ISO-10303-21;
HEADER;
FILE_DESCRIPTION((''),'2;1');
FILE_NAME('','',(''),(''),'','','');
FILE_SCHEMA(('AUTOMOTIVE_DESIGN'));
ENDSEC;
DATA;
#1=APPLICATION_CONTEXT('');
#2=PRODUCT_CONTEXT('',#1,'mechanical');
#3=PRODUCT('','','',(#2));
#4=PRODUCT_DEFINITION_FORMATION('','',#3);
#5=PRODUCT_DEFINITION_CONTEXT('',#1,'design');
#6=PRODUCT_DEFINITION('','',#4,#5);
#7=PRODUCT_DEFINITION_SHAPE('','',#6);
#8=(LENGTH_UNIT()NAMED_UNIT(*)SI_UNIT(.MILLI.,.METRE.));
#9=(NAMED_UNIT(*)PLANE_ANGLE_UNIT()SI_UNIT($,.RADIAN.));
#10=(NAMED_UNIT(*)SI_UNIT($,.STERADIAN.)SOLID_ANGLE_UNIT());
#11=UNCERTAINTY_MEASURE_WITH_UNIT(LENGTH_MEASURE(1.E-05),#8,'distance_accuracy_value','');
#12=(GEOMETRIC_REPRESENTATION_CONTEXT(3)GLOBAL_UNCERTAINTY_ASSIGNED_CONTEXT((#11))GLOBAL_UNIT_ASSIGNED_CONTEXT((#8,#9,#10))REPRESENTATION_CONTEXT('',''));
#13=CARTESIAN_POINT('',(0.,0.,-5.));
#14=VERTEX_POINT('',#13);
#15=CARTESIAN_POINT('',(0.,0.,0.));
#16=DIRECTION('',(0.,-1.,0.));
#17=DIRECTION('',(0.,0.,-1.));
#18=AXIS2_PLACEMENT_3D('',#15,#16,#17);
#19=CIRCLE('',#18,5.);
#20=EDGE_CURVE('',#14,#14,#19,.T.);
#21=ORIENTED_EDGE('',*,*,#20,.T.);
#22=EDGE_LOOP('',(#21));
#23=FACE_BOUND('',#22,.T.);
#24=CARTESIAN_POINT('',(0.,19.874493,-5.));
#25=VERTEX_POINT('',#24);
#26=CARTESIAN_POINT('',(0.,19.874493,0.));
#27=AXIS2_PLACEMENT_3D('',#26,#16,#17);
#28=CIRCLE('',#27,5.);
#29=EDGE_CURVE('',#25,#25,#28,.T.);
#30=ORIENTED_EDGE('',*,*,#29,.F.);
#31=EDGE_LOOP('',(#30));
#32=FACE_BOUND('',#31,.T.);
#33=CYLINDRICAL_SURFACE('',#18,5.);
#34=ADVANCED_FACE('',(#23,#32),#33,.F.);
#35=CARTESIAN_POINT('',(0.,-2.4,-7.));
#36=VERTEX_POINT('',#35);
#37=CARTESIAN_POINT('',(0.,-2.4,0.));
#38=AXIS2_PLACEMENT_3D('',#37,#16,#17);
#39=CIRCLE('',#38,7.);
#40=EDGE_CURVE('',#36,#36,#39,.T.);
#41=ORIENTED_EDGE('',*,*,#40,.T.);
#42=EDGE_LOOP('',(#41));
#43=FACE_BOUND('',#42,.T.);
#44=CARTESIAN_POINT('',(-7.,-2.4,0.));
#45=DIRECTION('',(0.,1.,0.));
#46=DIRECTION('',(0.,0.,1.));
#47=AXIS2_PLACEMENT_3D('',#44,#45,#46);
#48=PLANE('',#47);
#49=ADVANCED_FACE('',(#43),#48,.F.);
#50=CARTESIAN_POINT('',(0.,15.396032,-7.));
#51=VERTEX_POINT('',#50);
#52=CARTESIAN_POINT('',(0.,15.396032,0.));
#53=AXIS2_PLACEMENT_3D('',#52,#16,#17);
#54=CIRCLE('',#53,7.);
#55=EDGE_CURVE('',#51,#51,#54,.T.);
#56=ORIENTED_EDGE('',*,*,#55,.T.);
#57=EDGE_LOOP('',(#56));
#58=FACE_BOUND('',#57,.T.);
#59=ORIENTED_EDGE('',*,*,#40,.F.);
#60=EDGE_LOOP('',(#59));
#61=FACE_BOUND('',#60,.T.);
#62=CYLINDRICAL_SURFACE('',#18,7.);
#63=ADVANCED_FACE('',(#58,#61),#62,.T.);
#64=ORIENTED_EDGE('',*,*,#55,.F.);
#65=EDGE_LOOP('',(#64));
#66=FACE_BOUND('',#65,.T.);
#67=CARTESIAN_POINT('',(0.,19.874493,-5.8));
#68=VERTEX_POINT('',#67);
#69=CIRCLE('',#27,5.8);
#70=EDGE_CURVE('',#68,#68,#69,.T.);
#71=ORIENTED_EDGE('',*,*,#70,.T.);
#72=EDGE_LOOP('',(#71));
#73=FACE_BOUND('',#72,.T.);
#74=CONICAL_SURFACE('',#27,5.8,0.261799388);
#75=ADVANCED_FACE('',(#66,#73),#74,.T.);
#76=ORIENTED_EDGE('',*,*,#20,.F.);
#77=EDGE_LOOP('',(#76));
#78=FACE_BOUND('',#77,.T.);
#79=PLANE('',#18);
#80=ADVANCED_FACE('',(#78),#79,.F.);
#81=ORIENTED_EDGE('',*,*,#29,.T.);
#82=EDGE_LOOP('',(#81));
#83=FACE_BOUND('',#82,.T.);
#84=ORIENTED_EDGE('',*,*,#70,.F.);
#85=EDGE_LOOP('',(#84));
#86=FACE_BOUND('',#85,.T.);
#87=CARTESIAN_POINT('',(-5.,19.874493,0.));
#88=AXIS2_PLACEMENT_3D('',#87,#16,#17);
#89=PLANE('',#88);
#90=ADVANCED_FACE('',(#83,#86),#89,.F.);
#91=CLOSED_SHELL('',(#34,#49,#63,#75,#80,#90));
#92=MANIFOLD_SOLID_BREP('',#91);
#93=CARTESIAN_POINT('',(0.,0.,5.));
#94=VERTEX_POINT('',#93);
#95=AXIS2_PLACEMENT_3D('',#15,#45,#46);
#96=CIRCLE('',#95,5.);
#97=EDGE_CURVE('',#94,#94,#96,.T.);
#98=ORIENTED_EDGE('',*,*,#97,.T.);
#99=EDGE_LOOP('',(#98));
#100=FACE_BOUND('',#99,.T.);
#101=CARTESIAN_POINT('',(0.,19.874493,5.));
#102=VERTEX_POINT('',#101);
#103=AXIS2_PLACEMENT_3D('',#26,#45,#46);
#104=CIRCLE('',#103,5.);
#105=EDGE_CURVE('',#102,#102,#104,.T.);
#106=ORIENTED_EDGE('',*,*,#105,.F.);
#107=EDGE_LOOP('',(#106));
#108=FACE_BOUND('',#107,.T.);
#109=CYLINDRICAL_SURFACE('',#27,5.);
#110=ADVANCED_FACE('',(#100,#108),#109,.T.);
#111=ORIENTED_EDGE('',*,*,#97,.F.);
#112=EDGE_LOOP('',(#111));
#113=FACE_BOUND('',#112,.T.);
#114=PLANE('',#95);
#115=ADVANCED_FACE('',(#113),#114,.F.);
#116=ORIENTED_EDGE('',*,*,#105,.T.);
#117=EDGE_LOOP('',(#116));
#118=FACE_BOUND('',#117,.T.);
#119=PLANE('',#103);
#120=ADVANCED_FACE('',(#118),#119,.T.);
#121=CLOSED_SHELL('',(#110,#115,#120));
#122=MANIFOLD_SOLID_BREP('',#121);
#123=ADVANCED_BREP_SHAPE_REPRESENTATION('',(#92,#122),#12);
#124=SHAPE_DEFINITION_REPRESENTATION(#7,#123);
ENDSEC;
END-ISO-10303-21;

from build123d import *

# Parameters (mm, degrees)
SKETCH1_R           = 5
BOSS_EXTRUDE1_DEPTH = 19.874493393


with BuildPart() as part:
    # Sketch1 → Boss-Extrude1 (new body)
    with BuildSketch(Plane(origin=(0, 0, 0), x_dir=(1, 0, 0), z_dir=(0, 1, 0))):
        with Locations(Location((0, 0, 0), (0, 0, 270))):
            Circle(SKETCH1_R)
    extrude(amount=BOSS_EXTRUDE1_DEPTH)


with BuildPart() as body_2:
    # Sketch2 → Revolve1 (revolve)
    with BuildSketch(Plane.XY, mode=Mode.PRIVATE) as revolve1_sk:
        Polygon((0, 0), (-5, 0), (-5, 19.874493393), (-5.8, 19.874493393), (-7, 15.396032424), (-7, -2.4), (0, -2.4), align=None)
    revolve(revolve1_sk.sketch.rotate(Axis((0, 0, 0), (0, 1, 0)), 270), axis=Axis((0, 0, 0), (0, 1, 0)))


solid = Compound([part.part, body_2.part])
